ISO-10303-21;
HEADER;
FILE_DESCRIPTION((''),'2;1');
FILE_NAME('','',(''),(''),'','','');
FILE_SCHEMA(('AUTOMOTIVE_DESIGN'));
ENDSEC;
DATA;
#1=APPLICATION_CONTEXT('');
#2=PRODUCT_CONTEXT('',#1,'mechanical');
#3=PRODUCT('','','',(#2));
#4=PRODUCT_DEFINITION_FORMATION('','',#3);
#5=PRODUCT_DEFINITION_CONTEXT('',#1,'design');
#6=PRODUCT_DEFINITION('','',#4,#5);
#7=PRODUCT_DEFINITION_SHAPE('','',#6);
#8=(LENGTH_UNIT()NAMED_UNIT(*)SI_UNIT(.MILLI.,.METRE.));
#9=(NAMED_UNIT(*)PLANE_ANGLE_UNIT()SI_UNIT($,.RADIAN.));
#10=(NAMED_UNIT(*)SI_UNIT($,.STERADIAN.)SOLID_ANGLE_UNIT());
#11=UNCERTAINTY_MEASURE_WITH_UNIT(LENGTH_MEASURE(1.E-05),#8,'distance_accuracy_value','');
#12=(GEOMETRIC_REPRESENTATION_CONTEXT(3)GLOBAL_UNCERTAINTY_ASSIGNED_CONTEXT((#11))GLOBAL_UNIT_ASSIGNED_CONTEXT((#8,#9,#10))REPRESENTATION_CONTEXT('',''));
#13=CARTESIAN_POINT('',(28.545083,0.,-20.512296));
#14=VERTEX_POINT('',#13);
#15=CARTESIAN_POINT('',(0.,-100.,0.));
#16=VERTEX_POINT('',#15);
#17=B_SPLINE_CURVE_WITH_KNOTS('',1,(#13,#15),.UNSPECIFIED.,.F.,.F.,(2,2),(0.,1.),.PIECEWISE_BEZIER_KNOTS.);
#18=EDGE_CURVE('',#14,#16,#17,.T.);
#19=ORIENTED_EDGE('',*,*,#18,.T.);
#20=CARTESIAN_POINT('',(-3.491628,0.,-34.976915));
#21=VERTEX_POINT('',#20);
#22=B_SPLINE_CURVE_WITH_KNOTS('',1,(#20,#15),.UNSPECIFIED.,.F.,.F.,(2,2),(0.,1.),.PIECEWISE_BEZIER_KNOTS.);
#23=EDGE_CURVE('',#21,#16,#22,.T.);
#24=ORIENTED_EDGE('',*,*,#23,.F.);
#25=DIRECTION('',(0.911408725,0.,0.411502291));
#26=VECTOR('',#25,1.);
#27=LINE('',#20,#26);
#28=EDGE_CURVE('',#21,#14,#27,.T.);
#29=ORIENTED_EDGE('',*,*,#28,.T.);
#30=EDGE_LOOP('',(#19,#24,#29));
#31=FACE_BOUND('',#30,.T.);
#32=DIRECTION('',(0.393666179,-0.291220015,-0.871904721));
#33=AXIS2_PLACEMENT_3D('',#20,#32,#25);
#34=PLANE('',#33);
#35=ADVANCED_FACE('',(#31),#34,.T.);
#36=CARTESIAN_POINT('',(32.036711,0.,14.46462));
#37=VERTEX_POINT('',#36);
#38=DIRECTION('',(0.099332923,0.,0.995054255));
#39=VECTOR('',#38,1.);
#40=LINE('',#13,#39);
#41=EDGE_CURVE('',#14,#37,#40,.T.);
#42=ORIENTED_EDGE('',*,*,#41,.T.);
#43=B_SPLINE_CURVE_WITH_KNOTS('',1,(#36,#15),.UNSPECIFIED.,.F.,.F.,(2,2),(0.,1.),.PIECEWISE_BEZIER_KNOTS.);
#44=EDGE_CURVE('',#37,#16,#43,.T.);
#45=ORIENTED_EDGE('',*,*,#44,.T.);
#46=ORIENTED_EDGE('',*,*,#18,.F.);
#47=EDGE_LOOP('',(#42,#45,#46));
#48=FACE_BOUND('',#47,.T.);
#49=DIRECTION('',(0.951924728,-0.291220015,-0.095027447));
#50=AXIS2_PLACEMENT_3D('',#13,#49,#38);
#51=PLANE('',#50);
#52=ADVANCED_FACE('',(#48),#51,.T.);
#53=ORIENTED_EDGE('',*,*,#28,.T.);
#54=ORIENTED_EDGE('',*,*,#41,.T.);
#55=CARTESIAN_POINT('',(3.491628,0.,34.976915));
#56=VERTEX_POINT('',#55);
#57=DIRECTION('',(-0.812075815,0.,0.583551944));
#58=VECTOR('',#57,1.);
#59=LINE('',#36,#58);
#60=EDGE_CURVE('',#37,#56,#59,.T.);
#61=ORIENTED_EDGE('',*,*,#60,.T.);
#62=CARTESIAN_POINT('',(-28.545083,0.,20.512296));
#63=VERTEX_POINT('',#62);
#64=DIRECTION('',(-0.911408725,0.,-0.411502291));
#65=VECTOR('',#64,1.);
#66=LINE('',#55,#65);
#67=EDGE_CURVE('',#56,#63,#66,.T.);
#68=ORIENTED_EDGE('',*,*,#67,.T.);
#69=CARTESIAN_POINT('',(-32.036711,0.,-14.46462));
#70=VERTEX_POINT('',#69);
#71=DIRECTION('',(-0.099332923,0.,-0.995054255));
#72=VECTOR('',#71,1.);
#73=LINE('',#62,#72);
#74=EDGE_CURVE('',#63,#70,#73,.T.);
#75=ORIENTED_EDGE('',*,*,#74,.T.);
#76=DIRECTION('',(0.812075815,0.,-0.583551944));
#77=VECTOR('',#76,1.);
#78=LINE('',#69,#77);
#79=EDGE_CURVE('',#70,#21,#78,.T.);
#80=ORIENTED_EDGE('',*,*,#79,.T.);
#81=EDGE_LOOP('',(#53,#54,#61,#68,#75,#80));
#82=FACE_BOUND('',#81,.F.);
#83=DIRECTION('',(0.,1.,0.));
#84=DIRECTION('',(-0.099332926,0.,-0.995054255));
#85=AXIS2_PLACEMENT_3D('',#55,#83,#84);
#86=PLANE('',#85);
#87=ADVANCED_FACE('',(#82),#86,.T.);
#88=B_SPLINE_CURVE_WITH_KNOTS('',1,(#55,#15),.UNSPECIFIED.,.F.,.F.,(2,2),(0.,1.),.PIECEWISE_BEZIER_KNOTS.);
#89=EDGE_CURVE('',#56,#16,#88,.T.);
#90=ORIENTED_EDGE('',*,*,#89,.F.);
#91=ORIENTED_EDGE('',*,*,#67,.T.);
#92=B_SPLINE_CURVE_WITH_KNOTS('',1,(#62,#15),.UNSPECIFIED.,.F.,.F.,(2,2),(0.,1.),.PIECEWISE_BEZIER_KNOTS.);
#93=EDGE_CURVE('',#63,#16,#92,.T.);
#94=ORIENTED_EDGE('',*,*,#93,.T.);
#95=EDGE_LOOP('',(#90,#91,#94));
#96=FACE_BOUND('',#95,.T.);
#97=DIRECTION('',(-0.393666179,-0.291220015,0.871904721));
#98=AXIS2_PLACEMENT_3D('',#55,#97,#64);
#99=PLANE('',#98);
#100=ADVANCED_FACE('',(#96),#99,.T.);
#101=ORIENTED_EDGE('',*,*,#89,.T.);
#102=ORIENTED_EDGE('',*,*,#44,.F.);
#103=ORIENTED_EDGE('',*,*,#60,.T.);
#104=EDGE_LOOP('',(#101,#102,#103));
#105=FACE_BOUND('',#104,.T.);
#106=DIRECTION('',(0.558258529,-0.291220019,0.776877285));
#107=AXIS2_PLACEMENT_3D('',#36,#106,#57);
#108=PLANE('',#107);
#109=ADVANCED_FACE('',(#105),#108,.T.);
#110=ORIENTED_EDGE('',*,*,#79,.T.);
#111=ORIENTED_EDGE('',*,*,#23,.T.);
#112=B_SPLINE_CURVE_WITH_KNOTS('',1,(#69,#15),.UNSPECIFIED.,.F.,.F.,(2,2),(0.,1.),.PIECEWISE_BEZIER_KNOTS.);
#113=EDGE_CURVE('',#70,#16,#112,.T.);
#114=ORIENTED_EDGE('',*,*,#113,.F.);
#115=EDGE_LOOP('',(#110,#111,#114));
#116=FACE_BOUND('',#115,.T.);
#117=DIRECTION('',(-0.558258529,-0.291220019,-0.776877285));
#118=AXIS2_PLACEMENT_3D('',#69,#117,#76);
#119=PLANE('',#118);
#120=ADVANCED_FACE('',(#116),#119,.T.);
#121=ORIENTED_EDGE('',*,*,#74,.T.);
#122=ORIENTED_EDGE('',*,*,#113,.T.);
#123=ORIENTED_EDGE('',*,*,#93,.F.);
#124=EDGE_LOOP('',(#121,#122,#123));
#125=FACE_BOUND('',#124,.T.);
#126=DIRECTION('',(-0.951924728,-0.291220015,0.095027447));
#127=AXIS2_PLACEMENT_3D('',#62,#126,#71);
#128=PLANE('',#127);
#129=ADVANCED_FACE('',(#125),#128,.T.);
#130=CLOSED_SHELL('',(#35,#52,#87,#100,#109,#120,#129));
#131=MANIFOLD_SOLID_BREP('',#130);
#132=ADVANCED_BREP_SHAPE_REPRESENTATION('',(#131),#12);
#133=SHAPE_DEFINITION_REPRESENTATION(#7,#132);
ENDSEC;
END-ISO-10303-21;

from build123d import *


with BuildPart() as f3:
    # F0 (on Front) → F3 section 0
    with BuildSketch(Plane.XZ, mode=Mode.PRIVATE) as f3_s0:
        Polygon((3.491628, 34.976915), (-28.545083, 20.512296), (-32.036711, -14.46462), (-3.491628, -34.976915), (28.545083, -20.512296), (32.036711, 14.46462), align=None)
    loft([f3_s0.sketch, Vertex(0, -100, 0)])


solid = f3.part
